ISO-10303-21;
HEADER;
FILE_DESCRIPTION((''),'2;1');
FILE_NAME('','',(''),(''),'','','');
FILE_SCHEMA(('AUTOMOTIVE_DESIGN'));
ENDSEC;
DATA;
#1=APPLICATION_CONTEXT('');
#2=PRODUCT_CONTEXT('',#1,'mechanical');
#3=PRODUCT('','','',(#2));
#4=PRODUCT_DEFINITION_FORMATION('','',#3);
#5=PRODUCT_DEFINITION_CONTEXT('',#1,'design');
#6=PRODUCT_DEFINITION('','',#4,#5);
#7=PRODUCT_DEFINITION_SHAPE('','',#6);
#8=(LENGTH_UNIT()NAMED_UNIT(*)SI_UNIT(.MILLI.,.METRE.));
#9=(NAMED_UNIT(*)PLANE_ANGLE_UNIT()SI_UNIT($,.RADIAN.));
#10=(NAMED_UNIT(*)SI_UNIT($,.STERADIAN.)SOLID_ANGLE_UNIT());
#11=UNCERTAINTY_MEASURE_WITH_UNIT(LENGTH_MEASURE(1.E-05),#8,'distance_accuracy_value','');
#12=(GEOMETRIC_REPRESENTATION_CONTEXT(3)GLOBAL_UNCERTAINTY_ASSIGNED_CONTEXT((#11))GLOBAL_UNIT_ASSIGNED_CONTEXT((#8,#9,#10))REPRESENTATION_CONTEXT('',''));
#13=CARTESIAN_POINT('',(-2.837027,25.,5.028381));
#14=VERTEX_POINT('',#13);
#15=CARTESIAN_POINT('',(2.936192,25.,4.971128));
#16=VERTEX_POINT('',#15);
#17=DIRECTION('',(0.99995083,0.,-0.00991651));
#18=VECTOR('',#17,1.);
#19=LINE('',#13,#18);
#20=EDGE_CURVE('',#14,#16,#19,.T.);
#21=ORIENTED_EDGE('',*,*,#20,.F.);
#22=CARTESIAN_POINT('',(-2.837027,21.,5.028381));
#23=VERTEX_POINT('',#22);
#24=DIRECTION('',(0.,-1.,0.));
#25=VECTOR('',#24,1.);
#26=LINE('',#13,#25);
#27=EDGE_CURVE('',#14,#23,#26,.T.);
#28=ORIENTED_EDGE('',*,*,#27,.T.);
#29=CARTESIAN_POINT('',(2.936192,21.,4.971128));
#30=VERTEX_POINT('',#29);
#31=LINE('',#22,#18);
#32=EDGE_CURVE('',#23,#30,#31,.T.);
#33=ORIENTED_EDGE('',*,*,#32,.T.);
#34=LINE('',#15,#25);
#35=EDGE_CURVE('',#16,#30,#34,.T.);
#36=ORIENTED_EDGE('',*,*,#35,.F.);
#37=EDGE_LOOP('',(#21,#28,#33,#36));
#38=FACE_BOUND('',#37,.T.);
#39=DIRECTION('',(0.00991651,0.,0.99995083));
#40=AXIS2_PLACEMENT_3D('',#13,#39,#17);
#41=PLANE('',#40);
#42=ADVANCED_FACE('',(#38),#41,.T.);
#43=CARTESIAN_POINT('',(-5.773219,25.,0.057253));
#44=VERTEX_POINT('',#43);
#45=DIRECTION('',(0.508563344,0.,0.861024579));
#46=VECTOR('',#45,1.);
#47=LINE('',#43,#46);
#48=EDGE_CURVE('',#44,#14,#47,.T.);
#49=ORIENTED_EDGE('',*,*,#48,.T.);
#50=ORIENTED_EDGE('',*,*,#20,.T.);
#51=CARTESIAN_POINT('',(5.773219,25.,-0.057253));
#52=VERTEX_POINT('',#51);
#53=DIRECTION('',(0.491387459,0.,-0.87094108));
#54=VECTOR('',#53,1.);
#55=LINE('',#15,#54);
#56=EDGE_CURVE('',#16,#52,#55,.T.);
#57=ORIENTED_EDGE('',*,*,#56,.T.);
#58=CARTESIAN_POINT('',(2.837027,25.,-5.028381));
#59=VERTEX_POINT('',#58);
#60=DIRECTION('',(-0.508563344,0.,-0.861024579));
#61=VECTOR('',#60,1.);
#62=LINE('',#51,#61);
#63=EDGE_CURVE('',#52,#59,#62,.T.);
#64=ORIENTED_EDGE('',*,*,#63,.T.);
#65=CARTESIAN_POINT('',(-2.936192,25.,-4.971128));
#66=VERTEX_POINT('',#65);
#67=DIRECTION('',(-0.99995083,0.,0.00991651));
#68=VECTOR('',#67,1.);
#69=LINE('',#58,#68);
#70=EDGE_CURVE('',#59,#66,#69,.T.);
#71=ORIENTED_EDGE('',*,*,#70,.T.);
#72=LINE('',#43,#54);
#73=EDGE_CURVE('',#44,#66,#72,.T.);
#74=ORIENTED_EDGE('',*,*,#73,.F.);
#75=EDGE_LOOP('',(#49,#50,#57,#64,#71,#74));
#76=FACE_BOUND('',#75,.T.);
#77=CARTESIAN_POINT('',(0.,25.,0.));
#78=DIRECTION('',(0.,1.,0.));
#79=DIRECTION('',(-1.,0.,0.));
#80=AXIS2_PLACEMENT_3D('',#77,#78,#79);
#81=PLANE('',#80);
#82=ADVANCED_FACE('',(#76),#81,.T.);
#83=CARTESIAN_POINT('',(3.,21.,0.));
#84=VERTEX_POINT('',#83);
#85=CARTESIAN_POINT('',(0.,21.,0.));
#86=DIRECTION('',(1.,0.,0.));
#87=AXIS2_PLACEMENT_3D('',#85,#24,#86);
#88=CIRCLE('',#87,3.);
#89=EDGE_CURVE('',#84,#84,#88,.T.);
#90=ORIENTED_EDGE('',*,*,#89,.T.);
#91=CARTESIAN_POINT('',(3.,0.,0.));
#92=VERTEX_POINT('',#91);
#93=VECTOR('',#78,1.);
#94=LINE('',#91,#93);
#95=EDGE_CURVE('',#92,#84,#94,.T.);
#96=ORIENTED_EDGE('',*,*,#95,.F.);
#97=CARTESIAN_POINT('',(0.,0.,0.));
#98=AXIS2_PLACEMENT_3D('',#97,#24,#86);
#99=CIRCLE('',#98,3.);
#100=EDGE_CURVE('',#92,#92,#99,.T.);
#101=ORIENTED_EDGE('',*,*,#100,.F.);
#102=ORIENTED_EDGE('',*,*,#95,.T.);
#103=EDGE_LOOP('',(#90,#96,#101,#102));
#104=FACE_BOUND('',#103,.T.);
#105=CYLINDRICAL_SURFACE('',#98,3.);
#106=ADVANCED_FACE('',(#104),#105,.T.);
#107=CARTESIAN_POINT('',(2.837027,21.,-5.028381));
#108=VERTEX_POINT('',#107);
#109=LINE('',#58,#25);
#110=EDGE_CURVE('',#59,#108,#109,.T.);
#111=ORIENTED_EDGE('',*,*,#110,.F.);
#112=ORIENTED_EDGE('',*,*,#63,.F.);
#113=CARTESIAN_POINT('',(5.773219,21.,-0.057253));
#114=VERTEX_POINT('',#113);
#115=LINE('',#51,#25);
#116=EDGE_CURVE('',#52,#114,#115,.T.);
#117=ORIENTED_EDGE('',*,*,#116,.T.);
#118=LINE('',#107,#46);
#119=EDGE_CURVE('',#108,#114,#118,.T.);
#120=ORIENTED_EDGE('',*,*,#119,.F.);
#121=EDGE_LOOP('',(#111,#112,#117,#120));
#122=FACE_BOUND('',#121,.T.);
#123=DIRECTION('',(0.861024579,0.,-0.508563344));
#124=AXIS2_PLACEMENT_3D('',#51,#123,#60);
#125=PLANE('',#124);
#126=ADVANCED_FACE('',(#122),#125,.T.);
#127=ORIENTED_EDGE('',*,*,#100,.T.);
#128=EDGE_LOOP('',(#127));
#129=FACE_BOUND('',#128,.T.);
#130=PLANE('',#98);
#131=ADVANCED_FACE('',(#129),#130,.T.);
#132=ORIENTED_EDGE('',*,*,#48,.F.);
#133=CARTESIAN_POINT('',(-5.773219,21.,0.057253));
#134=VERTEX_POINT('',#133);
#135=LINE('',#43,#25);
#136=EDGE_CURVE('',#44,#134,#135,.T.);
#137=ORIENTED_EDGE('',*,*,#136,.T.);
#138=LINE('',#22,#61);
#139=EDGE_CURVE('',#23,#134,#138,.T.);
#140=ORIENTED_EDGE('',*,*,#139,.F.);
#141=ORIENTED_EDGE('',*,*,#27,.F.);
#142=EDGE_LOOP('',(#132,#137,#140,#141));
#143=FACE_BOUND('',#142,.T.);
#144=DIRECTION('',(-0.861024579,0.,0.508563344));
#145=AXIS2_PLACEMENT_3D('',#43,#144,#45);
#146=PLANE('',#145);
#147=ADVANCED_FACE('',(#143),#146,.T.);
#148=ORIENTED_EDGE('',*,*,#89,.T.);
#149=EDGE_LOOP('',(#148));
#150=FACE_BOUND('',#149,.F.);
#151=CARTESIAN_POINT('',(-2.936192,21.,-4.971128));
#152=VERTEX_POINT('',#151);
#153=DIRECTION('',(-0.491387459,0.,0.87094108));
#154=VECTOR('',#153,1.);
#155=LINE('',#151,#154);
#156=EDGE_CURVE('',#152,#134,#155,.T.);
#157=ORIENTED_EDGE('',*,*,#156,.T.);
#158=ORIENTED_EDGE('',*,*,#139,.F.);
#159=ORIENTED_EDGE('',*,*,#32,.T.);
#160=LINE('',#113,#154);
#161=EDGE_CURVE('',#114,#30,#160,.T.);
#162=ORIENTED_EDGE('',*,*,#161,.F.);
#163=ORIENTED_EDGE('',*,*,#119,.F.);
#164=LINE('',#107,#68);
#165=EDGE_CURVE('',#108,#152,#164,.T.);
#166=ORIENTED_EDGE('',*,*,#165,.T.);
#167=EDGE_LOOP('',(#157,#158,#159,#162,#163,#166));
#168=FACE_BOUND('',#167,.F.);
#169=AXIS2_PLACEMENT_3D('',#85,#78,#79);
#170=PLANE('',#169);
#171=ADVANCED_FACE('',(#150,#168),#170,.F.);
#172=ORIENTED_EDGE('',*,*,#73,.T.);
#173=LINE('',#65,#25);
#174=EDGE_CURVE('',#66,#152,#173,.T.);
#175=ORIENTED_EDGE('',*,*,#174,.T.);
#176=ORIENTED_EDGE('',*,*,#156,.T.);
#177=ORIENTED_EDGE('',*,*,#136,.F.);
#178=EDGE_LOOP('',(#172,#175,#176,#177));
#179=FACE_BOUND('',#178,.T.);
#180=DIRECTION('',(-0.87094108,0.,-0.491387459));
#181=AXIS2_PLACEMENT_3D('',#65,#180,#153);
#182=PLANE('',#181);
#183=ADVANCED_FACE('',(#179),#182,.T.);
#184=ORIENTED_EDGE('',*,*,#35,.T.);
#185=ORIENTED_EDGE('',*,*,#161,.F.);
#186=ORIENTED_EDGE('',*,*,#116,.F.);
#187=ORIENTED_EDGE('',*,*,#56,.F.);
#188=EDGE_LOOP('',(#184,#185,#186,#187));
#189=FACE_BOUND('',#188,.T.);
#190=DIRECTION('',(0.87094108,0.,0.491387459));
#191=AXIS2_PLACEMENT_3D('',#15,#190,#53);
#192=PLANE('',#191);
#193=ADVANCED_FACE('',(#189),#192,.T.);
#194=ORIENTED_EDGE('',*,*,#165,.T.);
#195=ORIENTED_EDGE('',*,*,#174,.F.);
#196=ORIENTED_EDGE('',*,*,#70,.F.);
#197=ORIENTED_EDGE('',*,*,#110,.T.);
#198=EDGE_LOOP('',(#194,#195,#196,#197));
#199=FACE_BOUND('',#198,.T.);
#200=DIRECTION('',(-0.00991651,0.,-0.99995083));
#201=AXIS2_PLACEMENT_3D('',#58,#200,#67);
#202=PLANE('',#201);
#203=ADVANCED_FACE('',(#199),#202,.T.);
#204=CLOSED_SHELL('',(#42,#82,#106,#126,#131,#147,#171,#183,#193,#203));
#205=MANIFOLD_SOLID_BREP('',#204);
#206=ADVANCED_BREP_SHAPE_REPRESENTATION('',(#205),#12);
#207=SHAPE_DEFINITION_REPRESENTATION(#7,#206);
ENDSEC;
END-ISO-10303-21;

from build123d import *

# Parameters (mm, degrees)
F0_R     = 5
F1_DEPTH = 25
F2_R     = 5
F2_R_2   = 3
F3_DEPTH = 21
F5_DEPTH = 4


with BuildPart() as f1:
    # F0 (on Front) → F1 (new body)
    with BuildSketch(Plane.XZ):
        Circle(F0_R)
    extrude(amount=-F1_DEPTH)

    # F2 (on face) → F3 (cut)
    with BuildSketch(Plane.XZ):
        Circle(F2_R)
        Circle(F2_R_2, mode=Mode.SUBTRACT)
    extrude(amount=-F3_DEPTH, mode=Mode.SUBTRACT)

    # F4 (on face) → F5 (join)
    with BuildSketch(Plane(origin=(0, 25, 0), x_dir=(-1, 0, 0), z_dir=(0, 1, 0))):
        Polygon((2.936192, -4.971128), (5.773219, 0.057253), (2.837027, 5.028381), (-2.936192, 4.971128), (-5.773219, -0.057253), (-2.837027, -5.028381), align=None)
    extrude(amount=-F5_DEPTH)


solid = f1.part
